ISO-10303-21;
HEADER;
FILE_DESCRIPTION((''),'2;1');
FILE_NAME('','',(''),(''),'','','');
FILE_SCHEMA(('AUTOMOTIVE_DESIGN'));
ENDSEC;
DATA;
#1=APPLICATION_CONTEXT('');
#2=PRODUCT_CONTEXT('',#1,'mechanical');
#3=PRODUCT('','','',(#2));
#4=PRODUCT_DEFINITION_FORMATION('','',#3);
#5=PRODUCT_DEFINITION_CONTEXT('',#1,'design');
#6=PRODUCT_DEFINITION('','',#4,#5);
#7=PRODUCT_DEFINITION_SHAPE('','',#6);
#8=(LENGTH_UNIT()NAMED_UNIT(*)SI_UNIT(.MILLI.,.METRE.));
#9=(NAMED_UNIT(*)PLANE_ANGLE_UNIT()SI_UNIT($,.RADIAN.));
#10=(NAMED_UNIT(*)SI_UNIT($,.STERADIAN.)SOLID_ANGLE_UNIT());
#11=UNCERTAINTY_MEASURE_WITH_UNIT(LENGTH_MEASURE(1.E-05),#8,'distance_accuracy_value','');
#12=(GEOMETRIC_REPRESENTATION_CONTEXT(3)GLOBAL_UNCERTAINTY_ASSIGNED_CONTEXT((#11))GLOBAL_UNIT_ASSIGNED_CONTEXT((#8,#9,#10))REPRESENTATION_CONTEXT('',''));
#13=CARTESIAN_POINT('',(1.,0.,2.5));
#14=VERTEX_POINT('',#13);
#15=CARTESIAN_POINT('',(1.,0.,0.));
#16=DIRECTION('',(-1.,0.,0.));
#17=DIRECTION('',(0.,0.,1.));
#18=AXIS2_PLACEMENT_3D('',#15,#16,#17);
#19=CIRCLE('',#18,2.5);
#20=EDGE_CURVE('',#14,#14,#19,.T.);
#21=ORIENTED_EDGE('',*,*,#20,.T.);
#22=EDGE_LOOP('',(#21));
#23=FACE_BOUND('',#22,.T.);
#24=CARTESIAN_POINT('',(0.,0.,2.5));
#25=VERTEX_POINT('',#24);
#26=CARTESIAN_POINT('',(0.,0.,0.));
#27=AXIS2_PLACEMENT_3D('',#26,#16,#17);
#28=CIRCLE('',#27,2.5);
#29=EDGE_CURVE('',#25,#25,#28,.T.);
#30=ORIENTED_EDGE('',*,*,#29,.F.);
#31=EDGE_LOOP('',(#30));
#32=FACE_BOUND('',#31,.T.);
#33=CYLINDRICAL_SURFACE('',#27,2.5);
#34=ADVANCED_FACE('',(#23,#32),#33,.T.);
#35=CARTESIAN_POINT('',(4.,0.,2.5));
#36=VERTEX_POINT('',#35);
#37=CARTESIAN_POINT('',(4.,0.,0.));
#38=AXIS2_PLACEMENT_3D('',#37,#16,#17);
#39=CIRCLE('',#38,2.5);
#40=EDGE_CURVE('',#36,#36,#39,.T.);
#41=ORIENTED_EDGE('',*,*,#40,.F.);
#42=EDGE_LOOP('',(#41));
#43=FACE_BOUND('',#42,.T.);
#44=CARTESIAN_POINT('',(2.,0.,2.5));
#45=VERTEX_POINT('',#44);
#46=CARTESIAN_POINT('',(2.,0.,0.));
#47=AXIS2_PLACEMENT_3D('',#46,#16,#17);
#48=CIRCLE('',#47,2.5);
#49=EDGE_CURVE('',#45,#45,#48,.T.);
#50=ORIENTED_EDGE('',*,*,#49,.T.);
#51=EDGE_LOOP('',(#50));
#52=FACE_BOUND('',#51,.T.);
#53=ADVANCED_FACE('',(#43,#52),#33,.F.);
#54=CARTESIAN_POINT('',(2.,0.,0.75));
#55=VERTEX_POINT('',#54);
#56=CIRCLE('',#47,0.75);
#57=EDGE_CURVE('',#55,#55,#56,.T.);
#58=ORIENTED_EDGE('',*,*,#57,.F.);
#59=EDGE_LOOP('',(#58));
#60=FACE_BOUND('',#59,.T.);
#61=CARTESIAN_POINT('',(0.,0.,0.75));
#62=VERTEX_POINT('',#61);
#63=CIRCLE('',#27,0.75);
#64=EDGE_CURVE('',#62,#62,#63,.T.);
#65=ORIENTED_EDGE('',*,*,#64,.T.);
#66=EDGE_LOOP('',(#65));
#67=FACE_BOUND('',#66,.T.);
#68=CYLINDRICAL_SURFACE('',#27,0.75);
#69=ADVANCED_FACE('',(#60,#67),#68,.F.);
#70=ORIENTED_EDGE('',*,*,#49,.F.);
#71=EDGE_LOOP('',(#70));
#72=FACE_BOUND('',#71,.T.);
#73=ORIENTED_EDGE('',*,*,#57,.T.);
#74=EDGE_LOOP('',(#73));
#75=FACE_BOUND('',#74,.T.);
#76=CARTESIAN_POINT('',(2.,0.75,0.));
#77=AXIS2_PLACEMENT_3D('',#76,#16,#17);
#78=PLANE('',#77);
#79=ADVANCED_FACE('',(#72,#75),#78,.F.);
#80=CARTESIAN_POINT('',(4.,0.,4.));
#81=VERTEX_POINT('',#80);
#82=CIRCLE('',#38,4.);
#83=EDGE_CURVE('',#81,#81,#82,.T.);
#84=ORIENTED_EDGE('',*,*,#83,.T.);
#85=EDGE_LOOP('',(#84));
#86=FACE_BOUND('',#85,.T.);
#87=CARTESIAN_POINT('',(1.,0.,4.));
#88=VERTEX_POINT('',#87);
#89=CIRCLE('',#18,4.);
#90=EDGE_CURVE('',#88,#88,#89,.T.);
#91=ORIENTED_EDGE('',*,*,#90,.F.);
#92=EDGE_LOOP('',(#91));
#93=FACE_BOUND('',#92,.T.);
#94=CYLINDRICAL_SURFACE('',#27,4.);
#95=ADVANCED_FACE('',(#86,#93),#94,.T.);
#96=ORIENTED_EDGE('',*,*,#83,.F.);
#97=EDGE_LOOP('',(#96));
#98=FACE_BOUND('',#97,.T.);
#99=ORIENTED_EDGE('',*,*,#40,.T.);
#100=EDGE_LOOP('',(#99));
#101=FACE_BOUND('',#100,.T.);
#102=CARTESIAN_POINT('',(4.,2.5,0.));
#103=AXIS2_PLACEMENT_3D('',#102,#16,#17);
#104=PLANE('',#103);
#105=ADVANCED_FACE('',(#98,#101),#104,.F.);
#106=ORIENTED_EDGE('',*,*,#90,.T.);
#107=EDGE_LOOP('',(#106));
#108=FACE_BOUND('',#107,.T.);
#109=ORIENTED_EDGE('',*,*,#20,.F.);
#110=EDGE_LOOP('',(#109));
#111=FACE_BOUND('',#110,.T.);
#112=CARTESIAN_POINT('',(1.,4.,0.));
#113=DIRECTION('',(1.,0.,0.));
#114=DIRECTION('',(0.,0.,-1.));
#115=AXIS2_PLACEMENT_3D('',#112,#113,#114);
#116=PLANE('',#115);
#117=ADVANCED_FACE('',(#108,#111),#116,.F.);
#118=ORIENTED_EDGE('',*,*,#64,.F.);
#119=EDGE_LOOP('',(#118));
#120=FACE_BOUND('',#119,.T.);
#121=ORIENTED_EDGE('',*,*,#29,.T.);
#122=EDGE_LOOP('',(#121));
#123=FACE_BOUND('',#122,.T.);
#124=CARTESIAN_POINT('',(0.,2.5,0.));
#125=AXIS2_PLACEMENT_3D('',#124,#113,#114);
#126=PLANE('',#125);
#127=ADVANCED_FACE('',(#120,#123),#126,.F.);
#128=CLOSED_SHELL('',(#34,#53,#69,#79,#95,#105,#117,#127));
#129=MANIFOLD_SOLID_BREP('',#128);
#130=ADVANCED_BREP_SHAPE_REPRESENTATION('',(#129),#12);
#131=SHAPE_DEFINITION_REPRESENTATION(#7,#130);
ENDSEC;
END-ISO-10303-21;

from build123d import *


with BuildPart() as part:
    # Sketch1 → Revolve1 (revolve)
    with BuildSketch(Plane.XY):
        Polygon((0, 0.75), (2, 0.75), (2, 2.5), (4, 2.5), (4, 4), (1, 4), (1, 2.5), (0, 2.5), align=None)
    revolve(axis=Axis((0, 0, 0), (1, 0, 0)))


solid = part.part
